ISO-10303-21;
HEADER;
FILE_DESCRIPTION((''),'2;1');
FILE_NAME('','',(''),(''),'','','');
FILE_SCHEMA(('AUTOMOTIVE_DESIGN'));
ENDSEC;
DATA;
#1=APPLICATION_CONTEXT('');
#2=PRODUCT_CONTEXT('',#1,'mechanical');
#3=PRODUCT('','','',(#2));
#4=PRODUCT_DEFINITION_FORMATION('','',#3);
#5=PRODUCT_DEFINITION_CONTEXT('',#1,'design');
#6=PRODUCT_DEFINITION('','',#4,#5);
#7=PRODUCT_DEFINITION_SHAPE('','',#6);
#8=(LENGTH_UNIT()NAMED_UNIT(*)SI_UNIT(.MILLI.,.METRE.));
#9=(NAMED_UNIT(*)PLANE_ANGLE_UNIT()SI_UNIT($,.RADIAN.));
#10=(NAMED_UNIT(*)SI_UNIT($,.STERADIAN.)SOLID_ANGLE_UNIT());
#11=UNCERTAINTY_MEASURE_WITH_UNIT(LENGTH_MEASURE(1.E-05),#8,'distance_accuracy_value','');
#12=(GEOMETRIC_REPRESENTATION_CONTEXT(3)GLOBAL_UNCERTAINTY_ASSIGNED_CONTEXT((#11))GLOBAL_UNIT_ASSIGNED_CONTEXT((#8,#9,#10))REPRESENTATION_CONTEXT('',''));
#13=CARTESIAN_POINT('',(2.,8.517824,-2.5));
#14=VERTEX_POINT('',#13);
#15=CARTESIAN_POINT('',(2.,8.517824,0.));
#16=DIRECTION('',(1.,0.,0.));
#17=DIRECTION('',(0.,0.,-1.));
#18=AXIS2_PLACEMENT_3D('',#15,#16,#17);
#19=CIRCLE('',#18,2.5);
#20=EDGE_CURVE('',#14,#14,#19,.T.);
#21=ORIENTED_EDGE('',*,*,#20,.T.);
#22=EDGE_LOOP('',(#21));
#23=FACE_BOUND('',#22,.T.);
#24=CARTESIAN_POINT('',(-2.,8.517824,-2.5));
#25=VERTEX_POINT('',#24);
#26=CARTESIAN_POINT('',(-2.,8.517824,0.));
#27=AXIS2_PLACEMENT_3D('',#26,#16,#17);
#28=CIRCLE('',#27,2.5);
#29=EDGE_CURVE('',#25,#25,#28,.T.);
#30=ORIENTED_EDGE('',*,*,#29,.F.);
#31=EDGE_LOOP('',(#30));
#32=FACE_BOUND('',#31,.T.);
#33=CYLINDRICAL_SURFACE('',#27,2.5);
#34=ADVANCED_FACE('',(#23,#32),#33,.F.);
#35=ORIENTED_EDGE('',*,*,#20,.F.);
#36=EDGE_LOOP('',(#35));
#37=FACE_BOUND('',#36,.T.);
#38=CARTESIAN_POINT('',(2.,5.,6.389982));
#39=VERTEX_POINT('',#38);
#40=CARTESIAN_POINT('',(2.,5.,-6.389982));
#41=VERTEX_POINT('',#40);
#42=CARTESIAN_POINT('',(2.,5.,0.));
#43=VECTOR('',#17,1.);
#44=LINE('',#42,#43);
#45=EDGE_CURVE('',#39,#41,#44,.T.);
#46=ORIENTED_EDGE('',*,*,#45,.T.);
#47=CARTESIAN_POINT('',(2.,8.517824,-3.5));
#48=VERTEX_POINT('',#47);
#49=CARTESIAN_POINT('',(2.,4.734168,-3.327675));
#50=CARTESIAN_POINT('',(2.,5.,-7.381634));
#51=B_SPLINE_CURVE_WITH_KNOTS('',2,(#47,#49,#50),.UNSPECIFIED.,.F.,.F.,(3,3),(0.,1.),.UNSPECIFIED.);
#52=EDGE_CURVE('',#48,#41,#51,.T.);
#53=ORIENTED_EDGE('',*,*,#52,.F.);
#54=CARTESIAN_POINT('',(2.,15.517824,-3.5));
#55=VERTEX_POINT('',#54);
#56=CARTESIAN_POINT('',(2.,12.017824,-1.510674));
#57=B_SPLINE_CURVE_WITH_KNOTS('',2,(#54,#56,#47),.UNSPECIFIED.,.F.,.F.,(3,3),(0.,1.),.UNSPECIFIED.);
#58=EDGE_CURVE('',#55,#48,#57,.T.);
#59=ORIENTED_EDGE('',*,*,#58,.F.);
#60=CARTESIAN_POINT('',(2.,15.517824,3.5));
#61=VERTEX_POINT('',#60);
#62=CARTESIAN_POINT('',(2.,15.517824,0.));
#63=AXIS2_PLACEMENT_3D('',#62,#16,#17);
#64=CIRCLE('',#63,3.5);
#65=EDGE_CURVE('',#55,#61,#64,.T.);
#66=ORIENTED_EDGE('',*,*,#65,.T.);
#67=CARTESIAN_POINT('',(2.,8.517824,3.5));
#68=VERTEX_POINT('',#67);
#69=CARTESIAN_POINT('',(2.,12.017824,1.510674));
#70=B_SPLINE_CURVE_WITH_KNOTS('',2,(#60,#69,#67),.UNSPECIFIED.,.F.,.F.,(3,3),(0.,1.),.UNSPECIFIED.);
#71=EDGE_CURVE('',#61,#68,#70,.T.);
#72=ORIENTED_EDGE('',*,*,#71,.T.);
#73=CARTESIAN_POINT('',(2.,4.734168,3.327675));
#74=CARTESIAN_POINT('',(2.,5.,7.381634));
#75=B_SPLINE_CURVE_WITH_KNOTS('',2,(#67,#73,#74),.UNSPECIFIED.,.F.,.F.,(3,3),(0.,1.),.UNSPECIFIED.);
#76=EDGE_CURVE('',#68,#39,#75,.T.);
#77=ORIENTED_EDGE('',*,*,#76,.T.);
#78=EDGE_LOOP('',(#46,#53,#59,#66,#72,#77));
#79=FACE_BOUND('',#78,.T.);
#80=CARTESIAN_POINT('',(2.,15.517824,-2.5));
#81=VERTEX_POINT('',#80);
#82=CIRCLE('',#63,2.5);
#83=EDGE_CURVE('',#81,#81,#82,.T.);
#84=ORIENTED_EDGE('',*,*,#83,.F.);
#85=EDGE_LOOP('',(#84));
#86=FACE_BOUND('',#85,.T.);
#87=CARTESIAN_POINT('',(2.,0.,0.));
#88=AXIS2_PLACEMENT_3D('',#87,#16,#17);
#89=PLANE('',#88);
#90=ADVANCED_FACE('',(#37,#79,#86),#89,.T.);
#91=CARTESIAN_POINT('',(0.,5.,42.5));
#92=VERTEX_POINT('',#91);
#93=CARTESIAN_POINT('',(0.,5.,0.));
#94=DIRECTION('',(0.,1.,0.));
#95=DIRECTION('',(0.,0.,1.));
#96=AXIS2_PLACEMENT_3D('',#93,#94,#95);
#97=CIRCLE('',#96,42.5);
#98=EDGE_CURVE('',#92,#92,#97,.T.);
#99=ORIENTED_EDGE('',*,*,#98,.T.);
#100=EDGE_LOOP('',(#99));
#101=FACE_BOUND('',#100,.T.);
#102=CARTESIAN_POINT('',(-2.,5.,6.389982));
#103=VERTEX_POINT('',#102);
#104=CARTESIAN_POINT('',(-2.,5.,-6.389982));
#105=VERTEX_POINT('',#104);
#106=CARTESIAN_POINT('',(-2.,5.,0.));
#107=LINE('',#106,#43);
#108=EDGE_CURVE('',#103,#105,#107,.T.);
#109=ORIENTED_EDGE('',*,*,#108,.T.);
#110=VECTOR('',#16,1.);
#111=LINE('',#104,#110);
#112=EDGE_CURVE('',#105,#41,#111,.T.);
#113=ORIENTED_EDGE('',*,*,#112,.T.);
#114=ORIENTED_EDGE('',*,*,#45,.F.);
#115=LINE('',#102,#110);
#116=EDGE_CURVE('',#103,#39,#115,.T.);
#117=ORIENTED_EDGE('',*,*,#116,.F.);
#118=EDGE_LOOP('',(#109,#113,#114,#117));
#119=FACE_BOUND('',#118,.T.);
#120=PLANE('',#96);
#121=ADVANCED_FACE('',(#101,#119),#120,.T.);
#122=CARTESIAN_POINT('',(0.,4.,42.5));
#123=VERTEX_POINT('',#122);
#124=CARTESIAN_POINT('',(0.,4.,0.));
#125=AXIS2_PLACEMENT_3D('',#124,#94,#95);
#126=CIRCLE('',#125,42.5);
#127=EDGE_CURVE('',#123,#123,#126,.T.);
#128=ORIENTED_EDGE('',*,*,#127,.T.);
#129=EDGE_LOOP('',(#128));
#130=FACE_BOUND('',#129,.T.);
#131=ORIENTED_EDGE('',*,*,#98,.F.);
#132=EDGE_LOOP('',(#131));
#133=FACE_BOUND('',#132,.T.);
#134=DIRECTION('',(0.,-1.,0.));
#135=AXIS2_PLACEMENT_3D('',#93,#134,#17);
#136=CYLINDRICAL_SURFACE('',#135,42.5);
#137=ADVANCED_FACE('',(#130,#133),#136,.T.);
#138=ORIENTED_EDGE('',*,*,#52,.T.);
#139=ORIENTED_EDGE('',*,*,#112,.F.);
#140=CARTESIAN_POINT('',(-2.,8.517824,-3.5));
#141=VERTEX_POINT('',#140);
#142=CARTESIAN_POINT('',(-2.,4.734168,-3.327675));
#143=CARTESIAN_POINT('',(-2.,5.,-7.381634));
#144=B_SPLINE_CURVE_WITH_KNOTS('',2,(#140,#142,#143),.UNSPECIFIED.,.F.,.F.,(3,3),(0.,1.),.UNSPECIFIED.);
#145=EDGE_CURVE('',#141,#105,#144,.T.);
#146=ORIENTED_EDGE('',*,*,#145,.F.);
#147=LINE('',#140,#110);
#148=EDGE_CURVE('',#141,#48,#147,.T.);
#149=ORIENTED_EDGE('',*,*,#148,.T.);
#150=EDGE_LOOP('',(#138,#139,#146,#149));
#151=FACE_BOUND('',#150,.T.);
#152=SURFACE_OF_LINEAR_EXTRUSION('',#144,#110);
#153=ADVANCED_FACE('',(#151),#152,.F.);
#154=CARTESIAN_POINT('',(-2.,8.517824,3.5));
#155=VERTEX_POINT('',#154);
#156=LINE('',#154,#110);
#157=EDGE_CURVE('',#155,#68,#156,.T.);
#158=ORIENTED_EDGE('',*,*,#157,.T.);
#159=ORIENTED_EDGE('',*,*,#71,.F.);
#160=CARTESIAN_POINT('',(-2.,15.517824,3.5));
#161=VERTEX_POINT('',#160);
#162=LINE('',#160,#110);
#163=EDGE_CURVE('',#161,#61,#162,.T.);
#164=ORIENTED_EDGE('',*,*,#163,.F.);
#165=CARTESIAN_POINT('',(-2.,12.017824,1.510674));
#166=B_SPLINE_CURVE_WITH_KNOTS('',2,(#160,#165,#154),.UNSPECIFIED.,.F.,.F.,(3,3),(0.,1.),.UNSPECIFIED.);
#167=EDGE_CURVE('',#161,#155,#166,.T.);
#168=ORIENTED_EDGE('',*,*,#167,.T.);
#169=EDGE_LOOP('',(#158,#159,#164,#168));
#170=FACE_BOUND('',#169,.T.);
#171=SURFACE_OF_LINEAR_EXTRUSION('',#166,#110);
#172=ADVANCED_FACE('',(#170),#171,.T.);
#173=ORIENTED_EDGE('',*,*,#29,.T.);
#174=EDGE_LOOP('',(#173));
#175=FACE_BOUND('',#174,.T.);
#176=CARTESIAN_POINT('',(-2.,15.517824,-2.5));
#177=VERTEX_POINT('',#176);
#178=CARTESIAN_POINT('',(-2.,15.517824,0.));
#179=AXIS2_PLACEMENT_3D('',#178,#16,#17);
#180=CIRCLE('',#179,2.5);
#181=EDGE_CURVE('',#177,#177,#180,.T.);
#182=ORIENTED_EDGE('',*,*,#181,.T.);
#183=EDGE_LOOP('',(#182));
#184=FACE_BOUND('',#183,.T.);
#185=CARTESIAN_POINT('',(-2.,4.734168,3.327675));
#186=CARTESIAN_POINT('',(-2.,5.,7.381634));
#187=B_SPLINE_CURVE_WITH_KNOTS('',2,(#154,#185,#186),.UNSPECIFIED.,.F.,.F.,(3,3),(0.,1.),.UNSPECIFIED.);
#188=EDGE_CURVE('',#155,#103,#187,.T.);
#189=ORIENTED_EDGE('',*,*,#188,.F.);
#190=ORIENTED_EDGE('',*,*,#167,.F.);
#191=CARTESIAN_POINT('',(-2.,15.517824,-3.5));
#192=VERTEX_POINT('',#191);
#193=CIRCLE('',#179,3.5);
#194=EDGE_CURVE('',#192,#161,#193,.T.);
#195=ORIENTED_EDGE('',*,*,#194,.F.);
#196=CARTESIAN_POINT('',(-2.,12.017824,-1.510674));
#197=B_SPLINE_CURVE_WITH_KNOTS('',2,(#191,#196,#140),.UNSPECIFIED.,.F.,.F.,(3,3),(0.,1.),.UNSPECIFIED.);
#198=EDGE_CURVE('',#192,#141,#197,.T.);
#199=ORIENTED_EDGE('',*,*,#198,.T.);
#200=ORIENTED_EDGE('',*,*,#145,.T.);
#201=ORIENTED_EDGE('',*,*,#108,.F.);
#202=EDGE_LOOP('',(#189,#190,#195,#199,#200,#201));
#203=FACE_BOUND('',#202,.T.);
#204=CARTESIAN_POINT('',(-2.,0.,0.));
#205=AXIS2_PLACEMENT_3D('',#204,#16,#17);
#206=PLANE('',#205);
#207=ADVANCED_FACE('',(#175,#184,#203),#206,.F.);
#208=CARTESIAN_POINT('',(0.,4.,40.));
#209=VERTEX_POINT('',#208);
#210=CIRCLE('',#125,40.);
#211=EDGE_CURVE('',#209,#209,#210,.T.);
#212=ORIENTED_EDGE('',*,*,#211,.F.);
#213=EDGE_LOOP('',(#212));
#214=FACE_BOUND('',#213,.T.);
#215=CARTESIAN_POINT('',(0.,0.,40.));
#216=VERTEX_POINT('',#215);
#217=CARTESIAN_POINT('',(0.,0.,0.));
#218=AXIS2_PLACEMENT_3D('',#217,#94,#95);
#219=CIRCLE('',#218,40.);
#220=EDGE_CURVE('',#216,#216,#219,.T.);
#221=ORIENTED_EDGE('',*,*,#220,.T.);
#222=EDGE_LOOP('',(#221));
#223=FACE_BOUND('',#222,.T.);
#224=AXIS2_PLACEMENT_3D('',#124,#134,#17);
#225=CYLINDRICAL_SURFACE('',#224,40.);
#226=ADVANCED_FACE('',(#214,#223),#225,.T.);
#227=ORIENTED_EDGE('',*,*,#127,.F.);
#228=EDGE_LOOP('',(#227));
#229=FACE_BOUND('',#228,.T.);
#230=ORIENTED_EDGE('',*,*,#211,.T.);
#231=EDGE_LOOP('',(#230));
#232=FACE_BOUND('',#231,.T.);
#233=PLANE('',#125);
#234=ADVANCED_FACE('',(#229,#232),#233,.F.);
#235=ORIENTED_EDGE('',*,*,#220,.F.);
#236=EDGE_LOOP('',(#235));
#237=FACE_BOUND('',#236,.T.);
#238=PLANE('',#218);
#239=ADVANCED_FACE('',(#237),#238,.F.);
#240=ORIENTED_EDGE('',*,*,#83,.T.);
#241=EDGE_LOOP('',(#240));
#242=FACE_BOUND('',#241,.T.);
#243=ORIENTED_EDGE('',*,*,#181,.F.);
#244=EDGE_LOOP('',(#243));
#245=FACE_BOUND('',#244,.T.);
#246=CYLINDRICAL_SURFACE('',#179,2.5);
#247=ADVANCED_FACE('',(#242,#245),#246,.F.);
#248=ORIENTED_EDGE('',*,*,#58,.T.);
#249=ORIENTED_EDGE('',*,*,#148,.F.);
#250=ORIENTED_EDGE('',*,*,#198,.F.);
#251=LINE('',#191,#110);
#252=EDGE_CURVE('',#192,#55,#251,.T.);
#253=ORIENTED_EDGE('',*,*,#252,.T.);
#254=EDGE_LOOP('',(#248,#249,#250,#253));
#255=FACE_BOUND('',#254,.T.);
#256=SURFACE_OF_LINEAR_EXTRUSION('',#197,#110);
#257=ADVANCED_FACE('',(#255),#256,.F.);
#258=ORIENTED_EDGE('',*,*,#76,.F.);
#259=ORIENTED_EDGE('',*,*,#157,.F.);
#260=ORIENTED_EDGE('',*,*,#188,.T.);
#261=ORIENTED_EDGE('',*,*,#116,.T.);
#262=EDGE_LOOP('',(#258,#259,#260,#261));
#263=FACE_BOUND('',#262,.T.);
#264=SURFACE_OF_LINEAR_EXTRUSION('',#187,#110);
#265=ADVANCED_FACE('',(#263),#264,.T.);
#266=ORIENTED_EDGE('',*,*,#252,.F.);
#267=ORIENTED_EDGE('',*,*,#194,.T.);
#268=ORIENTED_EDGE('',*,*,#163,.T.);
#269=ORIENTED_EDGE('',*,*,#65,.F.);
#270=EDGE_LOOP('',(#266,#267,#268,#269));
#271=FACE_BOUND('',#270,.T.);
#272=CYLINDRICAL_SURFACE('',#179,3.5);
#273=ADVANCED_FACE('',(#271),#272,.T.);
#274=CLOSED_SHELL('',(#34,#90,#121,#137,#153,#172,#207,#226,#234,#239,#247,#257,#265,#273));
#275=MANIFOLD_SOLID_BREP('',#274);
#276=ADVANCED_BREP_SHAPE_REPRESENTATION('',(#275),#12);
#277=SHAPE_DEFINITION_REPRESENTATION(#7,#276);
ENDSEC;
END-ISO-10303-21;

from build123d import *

# Parameters (mm, degrees)
SKETCH_3_R           = 40
EXTRUDE_1_DEPTH      = 4
SKETCH_4_R           = 42.5
EXTRUDE_2_DEPTH      = 1
EXTRUDE_3_DEPTH      = 2
EXTRUDE_3_DEPTH_BACK = 2
SKETCH_5_R           = 2.5


with BuildPart() as part:
    # Эскиз3 → Бобышка-Вытянуть1 (new body)
    with BuildSketch(Plane(origin=(0, 0, 0), x_dir=(1, 0, 0), z_dir=(0, 1, 0))):
        Circle(SKETCH_3_R)
    extrude(amount=EXTRUDE_1_DEPTH)

    # Эскиз4 → Бобышка-Вытянуть2 (add)
    with BuildSketch(Plane(origin=(0, 4, 0), x_dir=(1, 0, 0), z_dir=(0, 1, 0))):
        Circle(SKETCH_4_R)
    extrude(amount=EXTRUDE_2_DEPTH)

    # Эскиз5 → Бобышка-Вытянуть3 (add, two sides: drawn at the far end of the back side and taken through both)
    with BuildSketch(Plane(origin=(0, 0, 0), x_dir=(0, 0, -1), z_dir=(1, 0, 0)).offset(-EXTRUDE_3_DEPTH_BACK)):
        with BuildLine():
            add(Edge.make_bspline(
                [(-3.5, 8.517823555), (-3.350300092, 5.23093062), (-6.389981791, 5)],
                knots=[0, 0, 0, 0.868708242, 0.868708242, 0.868708242], degree=2))
            Line((-6.389981791, 5), (6.389981791, 5))
            add(Edge.make_bspline(
                [(3.5, 8.517823555), (3.350300092, 5.23093062), (6.389981791, 5)],
                knots=[0, 0, 0, 0.868708242, 0.868708242, 0.868708242], degree=2))
            add(Edge.make_bspline(
                [(3.5, 15.517823555), (1.510674253, 12.017823555), (3.5, 8.517823555)],
                knots=[0, 0, 0, 1, 1, 1], degree=2))
            ThreePointArc((3.5, 15.517823555), (0, 19.017823555), (-3.5, 15.517823555))
            add(Edge.make_bspline(
                [(-3.5, 15.517823555), (-1.510674253, 12.017823555), (-3.5, 8.517823555)],
                knots=[0, 0, 0, 1, 1, 1], degree=2))
        make_face()
        with Locations((0, 8.517823555)):
            Circle(SKETCH_5_R, mode=Mode.SUBTRACT)
        with Locations((0, 15.517823555)):
            Circle(SKETCH_5_R, mode=Mode.SUBTRACT)
    extrude(amount=EXTRUDE_3_DEPTH + EXTRUDE_3_DEPTH_BACK)


solid = part.part
